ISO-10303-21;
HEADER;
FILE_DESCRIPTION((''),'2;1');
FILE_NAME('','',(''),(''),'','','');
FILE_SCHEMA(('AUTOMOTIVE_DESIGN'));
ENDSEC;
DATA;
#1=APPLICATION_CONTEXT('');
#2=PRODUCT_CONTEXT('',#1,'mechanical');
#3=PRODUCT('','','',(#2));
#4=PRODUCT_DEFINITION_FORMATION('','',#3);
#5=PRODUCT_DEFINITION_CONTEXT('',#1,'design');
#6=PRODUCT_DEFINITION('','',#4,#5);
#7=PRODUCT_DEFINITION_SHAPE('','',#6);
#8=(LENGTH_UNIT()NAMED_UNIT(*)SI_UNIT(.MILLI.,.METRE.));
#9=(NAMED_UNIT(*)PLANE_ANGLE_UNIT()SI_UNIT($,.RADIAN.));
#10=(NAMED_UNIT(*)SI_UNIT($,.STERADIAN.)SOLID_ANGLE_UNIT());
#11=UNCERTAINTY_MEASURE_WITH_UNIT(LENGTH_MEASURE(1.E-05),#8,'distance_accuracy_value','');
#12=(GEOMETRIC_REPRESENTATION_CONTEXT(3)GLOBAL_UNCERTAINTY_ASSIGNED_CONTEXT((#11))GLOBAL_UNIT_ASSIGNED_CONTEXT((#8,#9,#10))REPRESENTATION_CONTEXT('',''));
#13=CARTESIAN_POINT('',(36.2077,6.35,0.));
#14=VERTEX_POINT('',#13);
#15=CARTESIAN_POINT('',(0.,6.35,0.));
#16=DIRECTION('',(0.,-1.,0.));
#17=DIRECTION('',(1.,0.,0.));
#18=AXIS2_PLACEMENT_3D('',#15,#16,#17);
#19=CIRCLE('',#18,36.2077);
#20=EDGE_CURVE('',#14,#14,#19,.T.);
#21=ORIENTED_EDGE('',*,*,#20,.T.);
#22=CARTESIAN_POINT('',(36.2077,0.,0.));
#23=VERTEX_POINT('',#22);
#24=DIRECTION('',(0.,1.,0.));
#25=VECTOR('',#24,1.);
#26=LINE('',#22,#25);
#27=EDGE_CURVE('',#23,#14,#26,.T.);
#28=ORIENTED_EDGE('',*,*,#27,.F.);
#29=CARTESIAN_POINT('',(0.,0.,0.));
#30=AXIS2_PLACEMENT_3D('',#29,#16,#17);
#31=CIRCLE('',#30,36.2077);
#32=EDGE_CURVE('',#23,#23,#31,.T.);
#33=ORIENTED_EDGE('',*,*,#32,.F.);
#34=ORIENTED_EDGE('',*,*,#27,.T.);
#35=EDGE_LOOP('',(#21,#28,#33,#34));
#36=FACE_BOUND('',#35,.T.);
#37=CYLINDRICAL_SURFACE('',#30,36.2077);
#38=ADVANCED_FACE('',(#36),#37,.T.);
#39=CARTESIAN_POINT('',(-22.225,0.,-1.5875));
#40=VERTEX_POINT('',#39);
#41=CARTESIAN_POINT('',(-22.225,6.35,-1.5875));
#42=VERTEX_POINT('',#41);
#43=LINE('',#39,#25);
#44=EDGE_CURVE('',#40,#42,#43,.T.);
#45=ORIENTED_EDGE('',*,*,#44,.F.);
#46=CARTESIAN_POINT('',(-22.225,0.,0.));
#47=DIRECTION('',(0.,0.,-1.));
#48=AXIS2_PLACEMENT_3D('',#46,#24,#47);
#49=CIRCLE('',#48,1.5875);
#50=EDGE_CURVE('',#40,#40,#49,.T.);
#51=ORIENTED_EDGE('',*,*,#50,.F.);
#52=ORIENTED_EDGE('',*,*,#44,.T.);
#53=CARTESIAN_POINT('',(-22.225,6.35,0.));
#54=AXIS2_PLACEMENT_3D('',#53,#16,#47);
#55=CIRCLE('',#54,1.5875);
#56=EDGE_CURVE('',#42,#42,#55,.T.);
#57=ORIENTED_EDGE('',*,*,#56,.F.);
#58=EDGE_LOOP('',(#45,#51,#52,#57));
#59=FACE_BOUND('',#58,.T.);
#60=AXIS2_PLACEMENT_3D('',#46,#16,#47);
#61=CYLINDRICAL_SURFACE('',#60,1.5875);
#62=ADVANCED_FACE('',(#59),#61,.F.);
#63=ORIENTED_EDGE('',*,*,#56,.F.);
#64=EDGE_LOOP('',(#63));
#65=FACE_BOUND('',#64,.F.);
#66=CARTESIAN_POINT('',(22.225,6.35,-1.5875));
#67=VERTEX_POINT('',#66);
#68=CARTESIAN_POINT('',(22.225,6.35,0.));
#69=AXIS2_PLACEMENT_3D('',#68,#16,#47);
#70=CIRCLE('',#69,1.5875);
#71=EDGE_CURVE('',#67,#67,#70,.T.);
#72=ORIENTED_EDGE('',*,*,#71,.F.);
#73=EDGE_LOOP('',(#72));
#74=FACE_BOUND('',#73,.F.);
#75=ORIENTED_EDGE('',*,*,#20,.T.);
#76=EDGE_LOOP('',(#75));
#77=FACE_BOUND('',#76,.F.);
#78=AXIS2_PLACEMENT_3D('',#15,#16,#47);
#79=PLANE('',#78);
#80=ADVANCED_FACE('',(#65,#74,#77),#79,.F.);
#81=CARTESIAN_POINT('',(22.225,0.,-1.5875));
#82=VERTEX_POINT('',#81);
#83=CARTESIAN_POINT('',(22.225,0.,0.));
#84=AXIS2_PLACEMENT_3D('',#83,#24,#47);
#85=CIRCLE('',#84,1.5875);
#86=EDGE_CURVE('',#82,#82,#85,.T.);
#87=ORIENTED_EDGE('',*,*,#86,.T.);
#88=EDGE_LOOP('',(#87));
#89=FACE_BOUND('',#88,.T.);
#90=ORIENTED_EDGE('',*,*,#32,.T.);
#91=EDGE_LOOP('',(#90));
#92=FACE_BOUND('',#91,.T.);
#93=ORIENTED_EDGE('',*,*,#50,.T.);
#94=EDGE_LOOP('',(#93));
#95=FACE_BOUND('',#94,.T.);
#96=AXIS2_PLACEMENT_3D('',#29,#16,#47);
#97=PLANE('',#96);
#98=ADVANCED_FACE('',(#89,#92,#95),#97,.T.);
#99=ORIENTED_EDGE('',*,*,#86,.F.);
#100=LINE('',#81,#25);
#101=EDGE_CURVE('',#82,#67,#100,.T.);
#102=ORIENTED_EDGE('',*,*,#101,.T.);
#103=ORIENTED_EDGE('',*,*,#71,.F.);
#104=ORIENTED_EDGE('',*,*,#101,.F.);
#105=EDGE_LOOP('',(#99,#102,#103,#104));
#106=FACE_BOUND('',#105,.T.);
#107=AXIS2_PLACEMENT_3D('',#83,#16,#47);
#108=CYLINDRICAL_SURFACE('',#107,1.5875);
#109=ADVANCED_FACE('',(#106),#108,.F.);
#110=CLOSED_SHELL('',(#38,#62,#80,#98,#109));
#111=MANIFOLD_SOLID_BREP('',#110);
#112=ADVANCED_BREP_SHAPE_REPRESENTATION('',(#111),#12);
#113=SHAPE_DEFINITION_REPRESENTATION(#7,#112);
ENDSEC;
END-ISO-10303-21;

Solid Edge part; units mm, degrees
sketch "Sketch1" plane through (0, 0, 0) normal (0, -1, 0) x (1, 0, 0)
  circle A0 centre (0, 0) radius 36.2077
extrude "Protrusion1" add sketch "Sketch1" against normal blind 6.35
extrude "Cutout1" [suppressed]
pattern "Pattern1" [suppressed]
hole "Hole_1" at (-22.225, 0, 0) direction (0, 1, 0) diameter 3.175 end up to next
hole "Hole1" at (22.225, 0, 0) direction (0, 1, 0) diameter 3.175 end up to next
